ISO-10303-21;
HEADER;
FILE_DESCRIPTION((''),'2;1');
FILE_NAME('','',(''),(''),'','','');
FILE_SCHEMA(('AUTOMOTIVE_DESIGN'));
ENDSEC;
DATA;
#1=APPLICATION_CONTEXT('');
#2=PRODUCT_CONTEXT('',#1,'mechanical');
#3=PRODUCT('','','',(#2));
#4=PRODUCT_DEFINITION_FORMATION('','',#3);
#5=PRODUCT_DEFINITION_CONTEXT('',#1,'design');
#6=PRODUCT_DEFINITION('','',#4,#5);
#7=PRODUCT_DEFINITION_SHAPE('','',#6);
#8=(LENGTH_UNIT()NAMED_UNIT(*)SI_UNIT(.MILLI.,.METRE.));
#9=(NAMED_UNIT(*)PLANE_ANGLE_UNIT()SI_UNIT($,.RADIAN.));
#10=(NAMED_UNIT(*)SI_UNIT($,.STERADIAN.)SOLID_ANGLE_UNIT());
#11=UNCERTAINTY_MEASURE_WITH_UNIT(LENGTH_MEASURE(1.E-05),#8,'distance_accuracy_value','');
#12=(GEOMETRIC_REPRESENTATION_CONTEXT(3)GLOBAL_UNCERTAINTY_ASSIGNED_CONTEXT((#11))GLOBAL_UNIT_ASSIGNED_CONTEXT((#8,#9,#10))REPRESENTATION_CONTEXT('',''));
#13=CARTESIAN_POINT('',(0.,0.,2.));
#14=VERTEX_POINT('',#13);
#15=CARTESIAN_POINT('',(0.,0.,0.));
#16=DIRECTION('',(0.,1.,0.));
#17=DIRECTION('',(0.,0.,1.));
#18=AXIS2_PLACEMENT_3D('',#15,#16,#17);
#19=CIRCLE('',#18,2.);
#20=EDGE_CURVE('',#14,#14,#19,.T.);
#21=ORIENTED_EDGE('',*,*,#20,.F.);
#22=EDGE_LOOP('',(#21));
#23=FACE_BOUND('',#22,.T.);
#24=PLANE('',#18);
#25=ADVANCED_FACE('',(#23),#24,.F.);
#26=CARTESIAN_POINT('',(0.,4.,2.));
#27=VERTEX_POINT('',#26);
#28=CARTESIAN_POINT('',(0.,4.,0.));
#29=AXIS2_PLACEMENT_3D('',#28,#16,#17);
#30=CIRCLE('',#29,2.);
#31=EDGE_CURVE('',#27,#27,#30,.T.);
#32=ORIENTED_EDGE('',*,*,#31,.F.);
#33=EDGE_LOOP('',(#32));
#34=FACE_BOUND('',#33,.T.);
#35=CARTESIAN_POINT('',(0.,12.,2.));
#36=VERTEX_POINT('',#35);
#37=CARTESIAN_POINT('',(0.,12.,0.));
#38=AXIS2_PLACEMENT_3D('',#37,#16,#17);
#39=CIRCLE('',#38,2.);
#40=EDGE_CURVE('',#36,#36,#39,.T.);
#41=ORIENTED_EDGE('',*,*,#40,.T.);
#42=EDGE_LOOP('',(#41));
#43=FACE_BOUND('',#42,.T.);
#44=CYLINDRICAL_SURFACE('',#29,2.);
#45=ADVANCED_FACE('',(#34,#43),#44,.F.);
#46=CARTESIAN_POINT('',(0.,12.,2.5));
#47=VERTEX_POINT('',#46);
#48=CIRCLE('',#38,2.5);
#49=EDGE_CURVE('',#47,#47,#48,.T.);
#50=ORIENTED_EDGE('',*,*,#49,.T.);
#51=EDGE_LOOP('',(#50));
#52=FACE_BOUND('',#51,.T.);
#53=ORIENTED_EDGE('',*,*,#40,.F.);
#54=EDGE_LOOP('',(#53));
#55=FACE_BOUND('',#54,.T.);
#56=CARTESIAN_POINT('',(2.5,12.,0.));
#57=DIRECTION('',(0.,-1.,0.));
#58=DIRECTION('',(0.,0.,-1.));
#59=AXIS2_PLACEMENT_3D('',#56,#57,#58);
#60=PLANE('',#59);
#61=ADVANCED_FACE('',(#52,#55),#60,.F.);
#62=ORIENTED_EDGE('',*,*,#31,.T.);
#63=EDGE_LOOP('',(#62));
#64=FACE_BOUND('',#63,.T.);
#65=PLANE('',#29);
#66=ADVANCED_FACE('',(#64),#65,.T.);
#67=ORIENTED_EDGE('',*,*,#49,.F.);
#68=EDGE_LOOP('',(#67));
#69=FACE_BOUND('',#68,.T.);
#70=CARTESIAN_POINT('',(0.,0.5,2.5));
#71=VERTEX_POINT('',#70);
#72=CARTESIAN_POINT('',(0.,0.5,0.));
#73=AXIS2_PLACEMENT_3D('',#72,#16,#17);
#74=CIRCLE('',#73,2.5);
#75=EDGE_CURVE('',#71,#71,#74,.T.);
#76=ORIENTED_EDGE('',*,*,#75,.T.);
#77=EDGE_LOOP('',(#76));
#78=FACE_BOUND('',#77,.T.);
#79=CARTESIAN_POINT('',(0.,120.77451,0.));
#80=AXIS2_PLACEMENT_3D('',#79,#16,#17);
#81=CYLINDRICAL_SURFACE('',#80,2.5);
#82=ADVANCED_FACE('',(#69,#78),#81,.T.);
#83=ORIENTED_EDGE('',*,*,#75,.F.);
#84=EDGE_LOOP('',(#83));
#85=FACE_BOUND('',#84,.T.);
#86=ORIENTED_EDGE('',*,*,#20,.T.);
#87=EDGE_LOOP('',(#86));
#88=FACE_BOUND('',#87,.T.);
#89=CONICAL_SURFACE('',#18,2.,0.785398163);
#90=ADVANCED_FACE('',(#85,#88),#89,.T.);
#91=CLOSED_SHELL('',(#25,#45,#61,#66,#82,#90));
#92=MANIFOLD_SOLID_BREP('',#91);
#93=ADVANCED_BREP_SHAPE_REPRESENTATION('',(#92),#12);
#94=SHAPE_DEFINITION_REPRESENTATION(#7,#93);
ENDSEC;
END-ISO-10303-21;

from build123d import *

# Parameters (mm, degrees)
SKETCH2_R          = 2
CUT_EXTRUDE1_DEPTH = 8


with BuildPart() as part:
    # Sketch1 → Revolve1 (revolve)
    with BuildSketch(Plane.XY):
        Polygon((0, 0), (2, 0), (2.5, 0.5), (2.5, 12), (0, 12), align=None)
    revolve(axis=Axis((0, 120.774509804, 0), (0, -1, 0)))

    # Sketch2 → Cut-Extrude1 (cut)
    with BuildSketch(Plane(origin=(0, 12, 0), x_dir=(1, 0, 0), z_dir=(0, 1, 0))):
        Circle(SKETCH2_R)
    extrude(amount=-CUT_EXTRUDE1_DEPTH, mode=Mode.SUBTRACT)


solid = part.part
